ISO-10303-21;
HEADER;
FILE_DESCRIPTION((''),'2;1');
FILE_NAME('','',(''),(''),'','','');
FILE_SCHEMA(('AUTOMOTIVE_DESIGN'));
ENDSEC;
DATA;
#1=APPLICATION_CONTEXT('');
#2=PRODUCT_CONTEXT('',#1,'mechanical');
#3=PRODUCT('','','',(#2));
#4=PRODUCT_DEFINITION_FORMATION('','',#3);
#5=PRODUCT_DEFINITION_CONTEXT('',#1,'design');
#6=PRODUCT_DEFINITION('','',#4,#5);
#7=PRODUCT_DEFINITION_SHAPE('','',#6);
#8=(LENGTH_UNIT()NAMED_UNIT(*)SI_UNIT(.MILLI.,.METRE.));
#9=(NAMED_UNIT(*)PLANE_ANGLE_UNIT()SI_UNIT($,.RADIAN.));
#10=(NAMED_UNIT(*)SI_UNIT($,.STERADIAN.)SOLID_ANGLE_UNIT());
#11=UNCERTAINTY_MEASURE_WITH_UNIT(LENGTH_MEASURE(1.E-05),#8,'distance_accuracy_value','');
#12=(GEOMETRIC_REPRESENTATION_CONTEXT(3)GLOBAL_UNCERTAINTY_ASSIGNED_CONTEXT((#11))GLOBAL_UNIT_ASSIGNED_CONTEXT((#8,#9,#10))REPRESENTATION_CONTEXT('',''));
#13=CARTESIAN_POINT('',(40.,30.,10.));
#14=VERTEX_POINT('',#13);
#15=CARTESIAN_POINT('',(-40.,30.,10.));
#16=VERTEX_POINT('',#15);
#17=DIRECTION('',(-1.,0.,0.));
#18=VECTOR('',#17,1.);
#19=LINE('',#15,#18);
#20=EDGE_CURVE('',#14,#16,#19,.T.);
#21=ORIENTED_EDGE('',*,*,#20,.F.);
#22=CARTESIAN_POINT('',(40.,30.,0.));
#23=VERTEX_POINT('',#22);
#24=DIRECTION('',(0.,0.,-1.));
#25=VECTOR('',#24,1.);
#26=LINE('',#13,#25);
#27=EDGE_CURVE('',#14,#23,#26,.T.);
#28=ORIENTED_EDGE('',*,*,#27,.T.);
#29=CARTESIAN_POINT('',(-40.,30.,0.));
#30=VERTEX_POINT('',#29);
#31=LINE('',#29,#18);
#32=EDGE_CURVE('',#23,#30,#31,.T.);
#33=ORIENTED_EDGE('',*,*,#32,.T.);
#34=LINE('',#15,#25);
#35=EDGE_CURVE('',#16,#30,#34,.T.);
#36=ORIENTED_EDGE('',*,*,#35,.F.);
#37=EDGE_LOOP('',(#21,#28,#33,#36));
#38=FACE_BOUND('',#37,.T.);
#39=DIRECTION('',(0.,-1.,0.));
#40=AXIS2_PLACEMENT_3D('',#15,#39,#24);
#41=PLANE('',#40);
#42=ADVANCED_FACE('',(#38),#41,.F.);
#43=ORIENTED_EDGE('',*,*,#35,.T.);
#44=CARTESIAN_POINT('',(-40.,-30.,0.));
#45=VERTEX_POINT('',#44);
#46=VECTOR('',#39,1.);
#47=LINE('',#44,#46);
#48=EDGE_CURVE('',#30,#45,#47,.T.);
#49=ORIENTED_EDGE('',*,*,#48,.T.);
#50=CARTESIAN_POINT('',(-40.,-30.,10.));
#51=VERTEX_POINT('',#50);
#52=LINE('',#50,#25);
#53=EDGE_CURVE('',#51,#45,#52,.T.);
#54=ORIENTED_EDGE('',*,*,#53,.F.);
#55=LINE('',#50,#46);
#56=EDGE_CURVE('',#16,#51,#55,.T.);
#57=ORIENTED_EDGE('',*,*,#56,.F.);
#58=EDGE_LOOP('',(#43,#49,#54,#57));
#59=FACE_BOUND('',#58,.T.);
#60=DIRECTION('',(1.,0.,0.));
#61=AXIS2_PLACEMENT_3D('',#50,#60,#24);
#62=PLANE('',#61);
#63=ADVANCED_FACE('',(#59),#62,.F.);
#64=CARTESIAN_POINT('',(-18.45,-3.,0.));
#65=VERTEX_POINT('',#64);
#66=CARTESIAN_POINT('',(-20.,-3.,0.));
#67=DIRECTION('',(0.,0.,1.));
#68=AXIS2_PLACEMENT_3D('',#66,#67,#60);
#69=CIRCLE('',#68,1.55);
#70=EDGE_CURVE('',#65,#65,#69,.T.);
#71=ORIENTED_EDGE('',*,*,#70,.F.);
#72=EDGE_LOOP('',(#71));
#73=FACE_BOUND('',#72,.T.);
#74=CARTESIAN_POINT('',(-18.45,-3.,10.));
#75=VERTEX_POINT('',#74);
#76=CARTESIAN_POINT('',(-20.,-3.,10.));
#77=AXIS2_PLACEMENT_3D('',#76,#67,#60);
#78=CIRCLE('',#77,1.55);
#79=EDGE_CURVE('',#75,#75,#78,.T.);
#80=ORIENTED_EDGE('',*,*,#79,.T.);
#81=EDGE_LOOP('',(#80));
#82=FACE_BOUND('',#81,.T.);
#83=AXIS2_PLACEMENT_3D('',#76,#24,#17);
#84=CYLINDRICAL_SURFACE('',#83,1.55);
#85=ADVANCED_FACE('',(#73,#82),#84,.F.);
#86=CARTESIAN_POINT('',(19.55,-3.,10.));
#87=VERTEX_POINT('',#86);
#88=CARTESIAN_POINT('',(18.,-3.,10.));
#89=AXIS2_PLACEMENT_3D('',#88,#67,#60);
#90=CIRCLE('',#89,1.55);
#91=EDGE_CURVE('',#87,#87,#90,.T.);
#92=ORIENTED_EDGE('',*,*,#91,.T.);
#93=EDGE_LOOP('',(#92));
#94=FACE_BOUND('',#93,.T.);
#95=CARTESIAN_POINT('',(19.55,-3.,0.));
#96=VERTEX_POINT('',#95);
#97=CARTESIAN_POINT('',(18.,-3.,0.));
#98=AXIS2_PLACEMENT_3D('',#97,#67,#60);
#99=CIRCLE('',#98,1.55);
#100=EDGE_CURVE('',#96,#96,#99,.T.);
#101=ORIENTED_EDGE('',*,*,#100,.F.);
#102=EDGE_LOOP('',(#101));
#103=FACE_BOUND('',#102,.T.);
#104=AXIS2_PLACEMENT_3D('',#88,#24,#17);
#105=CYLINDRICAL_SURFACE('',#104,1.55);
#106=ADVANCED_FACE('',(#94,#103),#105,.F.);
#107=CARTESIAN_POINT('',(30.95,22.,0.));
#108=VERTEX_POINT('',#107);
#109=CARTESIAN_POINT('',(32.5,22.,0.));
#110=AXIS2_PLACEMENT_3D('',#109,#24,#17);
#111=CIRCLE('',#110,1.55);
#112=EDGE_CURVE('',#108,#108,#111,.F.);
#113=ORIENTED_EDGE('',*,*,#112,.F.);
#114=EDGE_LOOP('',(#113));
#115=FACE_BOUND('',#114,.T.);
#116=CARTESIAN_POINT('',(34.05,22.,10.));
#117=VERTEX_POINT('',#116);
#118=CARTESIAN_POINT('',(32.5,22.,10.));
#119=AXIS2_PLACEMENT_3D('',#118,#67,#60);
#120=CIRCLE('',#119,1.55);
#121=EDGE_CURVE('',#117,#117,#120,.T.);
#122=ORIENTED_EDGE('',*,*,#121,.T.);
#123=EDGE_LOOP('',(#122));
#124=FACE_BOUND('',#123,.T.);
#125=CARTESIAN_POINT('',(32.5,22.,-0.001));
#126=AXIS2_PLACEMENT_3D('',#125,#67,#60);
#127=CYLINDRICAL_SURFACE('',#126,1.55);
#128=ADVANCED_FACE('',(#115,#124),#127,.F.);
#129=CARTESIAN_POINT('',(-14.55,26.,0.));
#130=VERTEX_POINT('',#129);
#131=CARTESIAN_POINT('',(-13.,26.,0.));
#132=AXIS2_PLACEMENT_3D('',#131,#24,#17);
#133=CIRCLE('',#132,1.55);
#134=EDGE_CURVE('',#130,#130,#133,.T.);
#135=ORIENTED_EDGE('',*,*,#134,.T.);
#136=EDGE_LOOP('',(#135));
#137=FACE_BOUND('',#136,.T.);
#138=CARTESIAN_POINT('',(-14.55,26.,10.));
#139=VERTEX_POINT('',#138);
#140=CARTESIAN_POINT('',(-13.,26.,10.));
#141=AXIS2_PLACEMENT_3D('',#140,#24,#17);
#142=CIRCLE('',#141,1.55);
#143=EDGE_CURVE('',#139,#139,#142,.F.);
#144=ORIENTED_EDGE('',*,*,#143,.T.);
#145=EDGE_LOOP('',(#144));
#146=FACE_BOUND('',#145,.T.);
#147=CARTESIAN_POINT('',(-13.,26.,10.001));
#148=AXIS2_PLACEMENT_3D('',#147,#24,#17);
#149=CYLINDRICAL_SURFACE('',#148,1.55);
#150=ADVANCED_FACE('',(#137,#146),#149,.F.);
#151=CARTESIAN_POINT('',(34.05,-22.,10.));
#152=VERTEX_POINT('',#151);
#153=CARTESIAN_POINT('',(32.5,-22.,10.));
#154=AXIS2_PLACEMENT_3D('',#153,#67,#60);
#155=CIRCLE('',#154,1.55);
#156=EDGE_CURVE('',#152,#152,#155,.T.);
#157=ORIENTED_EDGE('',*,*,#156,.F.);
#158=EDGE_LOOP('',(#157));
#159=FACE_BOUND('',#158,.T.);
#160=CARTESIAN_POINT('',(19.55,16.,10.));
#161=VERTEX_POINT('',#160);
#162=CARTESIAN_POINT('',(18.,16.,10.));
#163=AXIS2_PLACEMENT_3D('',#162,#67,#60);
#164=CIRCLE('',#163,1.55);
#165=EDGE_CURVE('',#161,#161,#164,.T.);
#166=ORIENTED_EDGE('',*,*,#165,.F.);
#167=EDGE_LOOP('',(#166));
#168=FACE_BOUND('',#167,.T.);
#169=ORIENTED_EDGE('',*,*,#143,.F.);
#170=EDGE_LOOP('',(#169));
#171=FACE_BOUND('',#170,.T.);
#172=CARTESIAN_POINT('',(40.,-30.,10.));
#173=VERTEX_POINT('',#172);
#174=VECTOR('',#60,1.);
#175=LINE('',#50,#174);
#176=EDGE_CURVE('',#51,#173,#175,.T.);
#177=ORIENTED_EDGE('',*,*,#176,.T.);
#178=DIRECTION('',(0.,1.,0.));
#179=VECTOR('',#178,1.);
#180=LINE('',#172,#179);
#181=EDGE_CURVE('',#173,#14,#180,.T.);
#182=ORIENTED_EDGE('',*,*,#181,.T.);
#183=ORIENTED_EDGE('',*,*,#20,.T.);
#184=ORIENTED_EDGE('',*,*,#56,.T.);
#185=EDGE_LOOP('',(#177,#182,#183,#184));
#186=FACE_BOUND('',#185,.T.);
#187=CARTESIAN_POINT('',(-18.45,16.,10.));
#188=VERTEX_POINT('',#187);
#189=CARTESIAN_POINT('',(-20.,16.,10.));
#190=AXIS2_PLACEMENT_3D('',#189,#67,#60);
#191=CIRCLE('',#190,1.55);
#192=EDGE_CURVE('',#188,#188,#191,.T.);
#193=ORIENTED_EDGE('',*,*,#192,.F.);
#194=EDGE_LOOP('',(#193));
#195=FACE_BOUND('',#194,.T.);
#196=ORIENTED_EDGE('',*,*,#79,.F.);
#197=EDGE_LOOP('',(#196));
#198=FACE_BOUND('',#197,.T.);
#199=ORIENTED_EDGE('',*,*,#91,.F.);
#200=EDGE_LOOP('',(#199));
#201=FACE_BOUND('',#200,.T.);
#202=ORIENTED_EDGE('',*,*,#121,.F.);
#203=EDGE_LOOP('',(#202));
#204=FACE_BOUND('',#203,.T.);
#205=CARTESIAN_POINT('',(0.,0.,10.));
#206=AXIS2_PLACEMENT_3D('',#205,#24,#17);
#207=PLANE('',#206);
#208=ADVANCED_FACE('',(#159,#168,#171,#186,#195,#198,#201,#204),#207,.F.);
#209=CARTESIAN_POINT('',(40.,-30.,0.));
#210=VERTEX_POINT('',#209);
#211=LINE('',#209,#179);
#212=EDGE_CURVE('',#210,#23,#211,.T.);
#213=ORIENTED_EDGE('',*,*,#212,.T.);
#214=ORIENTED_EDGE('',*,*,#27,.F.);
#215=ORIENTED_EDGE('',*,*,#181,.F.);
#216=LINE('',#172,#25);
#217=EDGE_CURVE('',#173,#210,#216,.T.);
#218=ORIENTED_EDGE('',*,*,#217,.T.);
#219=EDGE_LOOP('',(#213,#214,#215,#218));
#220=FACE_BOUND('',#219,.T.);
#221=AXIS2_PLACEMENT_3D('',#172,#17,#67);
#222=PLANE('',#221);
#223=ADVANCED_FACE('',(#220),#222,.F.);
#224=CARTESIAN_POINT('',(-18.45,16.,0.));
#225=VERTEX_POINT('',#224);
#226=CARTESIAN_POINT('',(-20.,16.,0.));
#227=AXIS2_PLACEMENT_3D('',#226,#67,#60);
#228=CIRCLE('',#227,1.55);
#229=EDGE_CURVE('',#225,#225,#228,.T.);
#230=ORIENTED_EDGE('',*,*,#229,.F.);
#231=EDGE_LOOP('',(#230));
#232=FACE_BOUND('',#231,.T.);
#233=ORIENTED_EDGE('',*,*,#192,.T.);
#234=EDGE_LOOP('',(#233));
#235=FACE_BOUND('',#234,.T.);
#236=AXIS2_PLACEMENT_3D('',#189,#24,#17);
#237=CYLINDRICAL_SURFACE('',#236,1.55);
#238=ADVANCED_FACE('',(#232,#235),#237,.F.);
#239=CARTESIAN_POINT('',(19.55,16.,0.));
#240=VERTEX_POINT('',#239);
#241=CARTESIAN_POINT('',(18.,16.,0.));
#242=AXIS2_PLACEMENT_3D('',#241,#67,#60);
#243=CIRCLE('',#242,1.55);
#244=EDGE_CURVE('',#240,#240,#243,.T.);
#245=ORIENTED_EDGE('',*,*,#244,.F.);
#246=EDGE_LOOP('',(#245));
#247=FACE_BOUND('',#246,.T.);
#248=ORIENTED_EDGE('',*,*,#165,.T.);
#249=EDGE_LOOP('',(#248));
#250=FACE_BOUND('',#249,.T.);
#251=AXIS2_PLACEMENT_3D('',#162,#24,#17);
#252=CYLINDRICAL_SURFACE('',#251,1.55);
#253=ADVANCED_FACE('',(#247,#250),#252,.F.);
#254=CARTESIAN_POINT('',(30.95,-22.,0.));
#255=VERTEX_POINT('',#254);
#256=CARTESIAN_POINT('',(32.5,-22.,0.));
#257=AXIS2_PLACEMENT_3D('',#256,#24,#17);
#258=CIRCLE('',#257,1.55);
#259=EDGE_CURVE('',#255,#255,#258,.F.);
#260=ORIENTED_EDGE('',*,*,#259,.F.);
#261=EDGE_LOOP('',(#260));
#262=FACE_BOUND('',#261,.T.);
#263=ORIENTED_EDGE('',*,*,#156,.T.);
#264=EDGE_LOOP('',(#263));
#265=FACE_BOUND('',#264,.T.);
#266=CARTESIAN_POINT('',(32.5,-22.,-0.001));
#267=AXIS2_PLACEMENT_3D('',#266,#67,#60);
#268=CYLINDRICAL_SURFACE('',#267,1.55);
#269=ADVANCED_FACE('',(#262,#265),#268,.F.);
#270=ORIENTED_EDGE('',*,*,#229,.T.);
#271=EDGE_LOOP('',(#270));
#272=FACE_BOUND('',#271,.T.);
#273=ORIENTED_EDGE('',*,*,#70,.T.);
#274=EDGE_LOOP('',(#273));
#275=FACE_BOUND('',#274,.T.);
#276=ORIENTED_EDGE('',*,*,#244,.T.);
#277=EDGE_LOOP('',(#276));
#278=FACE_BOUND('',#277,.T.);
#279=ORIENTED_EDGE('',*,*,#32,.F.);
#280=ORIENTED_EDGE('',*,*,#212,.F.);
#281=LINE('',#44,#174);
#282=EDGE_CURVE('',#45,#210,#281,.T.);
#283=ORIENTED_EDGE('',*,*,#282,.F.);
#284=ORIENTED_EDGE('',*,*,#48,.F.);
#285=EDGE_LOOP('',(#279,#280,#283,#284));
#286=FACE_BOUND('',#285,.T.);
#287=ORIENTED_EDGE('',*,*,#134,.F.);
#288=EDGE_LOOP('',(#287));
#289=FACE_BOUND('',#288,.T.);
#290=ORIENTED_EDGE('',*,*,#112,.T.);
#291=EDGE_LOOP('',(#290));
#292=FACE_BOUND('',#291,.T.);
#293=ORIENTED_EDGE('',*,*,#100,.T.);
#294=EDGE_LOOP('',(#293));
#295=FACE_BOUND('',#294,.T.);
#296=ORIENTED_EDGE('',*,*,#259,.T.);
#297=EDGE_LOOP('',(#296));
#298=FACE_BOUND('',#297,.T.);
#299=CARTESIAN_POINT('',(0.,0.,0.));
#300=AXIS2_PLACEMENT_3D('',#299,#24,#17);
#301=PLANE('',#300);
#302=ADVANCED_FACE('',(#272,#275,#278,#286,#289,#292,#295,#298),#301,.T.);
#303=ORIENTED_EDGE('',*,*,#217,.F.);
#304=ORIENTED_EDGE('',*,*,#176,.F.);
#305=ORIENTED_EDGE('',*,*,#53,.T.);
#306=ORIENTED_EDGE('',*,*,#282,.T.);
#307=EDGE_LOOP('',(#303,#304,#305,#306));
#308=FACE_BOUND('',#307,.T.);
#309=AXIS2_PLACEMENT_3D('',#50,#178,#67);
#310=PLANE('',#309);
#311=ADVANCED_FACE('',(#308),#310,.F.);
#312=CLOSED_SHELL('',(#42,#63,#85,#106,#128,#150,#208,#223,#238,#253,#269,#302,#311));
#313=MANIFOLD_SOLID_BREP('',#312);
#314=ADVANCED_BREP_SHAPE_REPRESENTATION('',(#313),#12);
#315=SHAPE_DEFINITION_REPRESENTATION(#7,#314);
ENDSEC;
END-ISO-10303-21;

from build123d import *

# Parameters (mm, degrees)
SKETCH1_W           = 80
SKETCH1_H           = 60
SKETCH1_R           = 1.55
BOSS_EXTRUDE1_DEPTH = 10
CUT_EXTRUDE1_REACH  = 52.99
SKETCH2_R           = 1.55
CUT_EXTRUDE2_REACH  = 52.99
SKETCH3_R           = 1.55


with BuildPart() as part:
    # Sketch1 → Boss-Extrude1 (new body)
    with BuildSketch(Plane.XY):
        Rectangle(SKETCH1_W, SKETCH1_H)
        with Locations((-20, 16)):
            Circle(SKETCH1_R, mode=Mode.SUBTRACT)
        with Locations((18, 16)):
            Circle(SKETCH1_R, mode=Mode.SUBTRACT)
        with Locations((18, -3)):
            Circle(SKETCH1_R, mode=Mode.SUBTRACT)
        with Locations((-20, -3)):
            Circle(SKETCH1_R, mode=Mode.SUBTRACT)
    extrude(amount=BOSS_EXTRUDE1_DEPTH)

    # Sketch2 → Cut-Extrude1 (cut, up to next)
    with BuildSketch(Plane(origin=(0, 0, 0), x_dir=(-1, 0, 0), z_dir=(0, 0, -1)), mode=Mode.PRIVATE) as cut_extrude1_sk1:
        with Locations((13, 26)):
            Circle(SKETCH2_R)
    cut_extrude1_tool1 = extrude(cut_extrude1_sk1.sketch, amount=-CUT_EXTRUDE1_REACH, mode=Mode.PRIVATE) & part.part
    add(cut_extrude1_tool1.solids().sort_by_distance((-13, 26, 0))[0], mode=Mode.SUBTRACT)

    # Sketch3 → Cut-Extrude2 (cut, up to next)
    with BuildSketch(Plane.XY.offset(10), mode=Mode.PRIVATE) as cut_extrude2_sk1:
        with Locations((32.5, 22)):
            Circle(SKETCH3_R)
    cut_extrude2_tool1 = extrude(cut_extrude2_sk1.sketch, amount=-CUT_EXTRUDE2_REACH, mode=Mode.PRIVATE) & part.part
    # Sketch3 → Cut-Extrude2 (cut, up to next)
    with BuildSketch(Plane.XY.offset(10), mode=Mode.PRIVATE) as cut_extrude2_sk2:
        with Locations((32.5, -22)):
            Circle(SKETCH3_R)
    cut_extrude2_tool2 = extrude(cut_extrude2_sk2.sketch, amount=-CUT_EXTRUDE2_REACH, mode=Mode.PRIVATE) & part.part
    add(cut_extrude2_tool1.solids().sort_by_distance((32.5, 22, 10))[0], mode=Mode.SUBTRACT)
    add(cut_extrude2_tool2.solids().sort_by_distance((32.5, -22, 10))[0], mode=Mode.SUBTRACT)


solid = part.part
